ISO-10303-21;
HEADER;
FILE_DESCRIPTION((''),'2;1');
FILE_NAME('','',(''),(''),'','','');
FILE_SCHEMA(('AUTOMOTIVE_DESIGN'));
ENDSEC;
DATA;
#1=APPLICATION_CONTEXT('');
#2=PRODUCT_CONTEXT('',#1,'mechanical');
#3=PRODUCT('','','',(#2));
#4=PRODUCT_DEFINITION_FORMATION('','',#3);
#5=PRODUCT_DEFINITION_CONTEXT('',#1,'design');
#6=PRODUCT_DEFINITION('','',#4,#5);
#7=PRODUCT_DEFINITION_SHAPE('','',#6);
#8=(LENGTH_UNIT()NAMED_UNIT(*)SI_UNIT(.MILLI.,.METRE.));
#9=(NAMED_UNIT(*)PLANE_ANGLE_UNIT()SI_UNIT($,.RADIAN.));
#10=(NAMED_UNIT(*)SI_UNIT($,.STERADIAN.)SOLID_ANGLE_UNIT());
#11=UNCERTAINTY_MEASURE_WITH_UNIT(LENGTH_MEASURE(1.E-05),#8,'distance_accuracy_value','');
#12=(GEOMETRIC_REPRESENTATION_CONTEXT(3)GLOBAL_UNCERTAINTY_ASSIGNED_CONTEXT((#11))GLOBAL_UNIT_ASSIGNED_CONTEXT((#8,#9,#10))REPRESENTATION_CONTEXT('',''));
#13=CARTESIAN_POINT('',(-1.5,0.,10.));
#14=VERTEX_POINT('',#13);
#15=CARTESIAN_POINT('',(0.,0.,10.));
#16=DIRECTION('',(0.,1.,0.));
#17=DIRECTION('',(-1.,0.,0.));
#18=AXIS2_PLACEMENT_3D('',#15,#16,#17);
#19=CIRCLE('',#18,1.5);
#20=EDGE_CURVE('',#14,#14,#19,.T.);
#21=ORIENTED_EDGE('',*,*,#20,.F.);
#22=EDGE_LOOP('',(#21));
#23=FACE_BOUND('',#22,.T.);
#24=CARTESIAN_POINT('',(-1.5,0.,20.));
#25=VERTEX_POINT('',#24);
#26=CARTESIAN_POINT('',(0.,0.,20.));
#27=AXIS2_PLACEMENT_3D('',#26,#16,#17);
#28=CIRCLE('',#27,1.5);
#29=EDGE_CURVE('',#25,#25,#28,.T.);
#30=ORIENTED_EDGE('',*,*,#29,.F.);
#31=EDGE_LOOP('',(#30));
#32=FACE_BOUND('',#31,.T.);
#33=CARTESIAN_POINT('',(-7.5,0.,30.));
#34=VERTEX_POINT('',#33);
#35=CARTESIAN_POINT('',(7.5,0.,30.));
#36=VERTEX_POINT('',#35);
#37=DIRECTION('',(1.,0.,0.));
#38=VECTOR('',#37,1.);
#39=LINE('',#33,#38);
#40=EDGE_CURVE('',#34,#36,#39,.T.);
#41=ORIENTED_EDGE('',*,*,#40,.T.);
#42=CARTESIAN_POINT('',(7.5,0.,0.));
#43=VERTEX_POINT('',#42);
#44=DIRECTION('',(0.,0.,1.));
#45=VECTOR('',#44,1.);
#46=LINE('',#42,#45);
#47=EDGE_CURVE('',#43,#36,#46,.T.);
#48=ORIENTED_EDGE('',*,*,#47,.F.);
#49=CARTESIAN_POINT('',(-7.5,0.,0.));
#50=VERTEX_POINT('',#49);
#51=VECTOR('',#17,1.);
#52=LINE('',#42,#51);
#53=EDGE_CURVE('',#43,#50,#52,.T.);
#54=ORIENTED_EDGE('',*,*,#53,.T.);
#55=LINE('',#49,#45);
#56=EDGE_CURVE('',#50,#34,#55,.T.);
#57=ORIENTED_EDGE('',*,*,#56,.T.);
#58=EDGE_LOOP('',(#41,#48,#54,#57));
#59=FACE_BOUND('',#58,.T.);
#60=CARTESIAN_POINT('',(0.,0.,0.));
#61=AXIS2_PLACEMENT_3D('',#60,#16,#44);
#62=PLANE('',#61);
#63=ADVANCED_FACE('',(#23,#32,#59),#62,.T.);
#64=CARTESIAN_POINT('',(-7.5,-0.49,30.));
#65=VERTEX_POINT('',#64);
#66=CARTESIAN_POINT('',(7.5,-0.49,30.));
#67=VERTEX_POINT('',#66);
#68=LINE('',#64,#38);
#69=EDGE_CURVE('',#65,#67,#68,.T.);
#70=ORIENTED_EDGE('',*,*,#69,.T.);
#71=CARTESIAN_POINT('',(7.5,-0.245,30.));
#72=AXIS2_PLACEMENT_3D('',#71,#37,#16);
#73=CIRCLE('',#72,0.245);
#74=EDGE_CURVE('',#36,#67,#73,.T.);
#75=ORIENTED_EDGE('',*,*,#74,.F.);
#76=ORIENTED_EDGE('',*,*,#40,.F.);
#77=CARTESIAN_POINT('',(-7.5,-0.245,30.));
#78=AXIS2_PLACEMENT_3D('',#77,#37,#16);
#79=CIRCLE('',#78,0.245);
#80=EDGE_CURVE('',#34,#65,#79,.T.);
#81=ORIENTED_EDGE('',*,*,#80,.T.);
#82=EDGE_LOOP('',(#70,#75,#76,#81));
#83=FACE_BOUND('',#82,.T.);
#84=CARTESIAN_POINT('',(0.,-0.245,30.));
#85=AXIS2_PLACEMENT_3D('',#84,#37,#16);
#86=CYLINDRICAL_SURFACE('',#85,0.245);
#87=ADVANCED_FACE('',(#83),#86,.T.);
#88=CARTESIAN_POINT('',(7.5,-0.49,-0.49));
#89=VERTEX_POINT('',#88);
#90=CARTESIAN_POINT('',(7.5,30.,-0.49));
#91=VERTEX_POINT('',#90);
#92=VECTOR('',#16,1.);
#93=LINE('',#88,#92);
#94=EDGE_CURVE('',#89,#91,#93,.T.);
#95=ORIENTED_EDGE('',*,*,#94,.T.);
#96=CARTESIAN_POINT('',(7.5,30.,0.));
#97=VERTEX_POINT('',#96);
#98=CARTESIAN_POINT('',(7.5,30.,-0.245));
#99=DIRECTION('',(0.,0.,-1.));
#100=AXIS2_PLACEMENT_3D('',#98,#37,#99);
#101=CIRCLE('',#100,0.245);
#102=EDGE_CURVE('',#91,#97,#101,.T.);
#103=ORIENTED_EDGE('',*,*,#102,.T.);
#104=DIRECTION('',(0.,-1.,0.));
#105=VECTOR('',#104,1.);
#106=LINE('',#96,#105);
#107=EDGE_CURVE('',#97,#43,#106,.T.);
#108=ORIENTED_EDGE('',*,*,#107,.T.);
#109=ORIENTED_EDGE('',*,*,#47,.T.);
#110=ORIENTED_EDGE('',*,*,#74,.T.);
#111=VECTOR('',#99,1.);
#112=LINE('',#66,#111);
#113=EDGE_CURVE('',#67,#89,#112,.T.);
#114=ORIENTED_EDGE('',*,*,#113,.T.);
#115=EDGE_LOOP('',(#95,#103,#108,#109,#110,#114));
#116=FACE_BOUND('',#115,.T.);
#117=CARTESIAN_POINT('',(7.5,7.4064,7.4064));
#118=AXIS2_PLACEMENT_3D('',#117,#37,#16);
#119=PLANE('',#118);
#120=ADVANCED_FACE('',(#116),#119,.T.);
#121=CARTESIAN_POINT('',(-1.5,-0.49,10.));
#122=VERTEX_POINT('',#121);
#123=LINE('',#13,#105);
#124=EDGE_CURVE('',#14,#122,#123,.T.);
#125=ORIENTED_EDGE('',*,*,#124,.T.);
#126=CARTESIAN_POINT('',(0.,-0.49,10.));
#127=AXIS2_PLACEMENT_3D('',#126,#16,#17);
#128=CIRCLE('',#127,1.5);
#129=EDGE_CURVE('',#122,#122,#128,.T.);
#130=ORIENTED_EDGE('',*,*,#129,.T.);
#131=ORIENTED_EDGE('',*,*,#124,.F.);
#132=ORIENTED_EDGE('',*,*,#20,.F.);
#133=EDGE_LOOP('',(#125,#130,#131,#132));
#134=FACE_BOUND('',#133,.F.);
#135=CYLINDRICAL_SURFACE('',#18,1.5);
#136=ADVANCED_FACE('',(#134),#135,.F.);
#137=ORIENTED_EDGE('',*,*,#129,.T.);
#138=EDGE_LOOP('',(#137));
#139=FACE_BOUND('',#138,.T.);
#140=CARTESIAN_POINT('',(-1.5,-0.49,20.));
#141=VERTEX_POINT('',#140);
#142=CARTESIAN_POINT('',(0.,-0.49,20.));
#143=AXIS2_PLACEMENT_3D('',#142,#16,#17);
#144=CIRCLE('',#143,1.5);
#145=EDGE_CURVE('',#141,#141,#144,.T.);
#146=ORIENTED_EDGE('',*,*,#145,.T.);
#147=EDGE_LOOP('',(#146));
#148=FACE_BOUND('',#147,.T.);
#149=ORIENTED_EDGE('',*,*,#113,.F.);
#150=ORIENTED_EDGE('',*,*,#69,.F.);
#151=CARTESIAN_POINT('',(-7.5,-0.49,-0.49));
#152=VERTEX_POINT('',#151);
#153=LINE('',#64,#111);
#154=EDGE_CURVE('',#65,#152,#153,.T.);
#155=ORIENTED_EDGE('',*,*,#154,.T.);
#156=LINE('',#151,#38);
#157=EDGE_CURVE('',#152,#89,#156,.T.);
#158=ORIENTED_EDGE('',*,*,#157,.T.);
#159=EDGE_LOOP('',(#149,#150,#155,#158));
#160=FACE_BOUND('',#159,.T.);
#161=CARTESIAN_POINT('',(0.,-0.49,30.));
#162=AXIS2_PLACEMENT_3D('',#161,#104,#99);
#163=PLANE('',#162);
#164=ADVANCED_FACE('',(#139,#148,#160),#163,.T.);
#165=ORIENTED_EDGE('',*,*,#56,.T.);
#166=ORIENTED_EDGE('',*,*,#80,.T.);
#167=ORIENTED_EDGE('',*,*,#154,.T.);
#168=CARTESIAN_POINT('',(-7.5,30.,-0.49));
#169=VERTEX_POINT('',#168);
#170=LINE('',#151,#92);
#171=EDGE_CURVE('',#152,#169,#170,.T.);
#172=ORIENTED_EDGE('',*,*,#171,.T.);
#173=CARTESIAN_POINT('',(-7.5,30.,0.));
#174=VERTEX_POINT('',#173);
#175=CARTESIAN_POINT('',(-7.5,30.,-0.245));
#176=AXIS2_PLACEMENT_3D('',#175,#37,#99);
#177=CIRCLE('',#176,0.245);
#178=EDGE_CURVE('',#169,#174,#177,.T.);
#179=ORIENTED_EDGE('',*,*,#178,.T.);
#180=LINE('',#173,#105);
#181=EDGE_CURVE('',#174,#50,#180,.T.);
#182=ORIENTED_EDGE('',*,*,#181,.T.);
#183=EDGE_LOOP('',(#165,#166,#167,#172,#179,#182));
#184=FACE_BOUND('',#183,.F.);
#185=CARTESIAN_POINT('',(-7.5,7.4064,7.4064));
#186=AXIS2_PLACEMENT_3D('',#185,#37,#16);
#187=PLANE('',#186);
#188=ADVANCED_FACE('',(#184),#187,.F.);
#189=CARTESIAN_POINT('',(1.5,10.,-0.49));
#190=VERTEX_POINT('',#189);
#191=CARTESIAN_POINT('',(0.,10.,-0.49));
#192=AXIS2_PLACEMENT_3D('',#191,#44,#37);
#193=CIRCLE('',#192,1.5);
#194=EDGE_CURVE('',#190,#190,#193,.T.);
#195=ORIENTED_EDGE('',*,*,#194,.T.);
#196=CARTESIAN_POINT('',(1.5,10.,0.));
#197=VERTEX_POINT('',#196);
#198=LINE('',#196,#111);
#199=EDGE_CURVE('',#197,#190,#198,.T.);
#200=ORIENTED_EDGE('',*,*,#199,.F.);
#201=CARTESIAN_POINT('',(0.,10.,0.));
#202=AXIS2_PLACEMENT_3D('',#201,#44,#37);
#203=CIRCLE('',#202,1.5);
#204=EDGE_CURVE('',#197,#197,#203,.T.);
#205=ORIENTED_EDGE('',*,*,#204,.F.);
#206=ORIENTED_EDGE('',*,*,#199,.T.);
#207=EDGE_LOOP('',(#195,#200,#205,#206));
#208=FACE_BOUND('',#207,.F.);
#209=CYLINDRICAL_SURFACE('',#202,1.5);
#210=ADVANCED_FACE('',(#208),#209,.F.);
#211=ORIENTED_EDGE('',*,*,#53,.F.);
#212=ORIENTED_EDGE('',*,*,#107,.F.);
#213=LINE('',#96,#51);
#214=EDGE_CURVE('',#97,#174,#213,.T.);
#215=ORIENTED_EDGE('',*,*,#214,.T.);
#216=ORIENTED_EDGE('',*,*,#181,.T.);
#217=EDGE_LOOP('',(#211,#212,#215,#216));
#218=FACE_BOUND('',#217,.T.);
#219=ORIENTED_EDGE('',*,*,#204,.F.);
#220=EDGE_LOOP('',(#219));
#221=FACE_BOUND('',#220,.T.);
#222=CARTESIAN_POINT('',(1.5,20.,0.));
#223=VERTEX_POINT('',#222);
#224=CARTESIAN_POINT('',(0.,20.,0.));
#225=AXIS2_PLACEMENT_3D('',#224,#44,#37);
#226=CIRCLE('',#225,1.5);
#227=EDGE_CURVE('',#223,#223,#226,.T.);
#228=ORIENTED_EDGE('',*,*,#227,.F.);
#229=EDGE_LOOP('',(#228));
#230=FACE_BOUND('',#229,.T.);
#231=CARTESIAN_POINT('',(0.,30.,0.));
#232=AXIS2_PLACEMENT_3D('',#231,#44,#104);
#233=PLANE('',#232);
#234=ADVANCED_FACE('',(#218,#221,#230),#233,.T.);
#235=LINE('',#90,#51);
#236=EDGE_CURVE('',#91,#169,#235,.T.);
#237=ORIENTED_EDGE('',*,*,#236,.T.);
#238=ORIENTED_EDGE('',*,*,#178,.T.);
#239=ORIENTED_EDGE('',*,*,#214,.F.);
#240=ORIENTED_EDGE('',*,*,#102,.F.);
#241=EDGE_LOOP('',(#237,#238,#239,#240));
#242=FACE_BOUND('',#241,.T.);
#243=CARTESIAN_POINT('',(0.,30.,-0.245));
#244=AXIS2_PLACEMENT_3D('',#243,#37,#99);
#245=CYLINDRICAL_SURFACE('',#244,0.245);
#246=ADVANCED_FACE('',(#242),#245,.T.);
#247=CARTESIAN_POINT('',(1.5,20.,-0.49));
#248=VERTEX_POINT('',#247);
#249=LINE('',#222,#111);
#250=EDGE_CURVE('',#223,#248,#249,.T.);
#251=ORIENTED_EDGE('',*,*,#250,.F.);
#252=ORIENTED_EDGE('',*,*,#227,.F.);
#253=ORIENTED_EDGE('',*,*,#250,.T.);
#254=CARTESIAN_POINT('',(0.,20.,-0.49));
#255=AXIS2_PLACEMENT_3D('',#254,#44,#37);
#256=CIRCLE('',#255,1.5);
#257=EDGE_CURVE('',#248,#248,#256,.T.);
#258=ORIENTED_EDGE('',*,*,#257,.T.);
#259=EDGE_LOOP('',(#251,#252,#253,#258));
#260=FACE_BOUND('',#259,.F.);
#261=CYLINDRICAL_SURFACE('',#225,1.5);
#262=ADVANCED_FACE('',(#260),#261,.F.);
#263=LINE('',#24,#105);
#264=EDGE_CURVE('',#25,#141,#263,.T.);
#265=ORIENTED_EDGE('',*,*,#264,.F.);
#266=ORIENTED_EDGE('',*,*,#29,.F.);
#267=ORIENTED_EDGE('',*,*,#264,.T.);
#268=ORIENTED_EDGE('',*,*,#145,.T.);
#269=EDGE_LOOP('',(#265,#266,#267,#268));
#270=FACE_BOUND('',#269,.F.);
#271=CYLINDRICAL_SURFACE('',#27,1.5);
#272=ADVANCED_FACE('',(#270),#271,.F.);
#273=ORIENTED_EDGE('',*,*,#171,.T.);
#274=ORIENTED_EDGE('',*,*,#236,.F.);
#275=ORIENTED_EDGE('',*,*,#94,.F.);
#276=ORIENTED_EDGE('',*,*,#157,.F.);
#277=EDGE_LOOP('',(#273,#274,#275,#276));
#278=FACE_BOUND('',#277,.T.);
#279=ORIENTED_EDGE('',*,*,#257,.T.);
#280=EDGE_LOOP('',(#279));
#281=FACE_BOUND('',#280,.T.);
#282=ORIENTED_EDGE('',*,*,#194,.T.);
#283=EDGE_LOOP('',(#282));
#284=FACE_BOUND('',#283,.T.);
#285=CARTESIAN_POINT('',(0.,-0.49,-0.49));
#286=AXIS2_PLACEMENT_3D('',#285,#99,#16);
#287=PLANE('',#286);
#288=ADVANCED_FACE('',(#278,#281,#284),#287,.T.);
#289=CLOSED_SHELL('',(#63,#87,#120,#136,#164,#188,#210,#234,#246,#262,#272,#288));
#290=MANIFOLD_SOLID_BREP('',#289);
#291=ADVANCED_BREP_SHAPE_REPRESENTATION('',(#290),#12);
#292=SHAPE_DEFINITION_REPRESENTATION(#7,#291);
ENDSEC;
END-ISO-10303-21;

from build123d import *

# Parameters (mm, degrees)
F1_DEPTH = 7.5
F2_R     = 1.5
F3_DEPTH = 0.4910000058
F4_R     = 1.5
F5_DEPTH = 0.4910000058


with BuildPart() as f1:
    # F0 (on Right) → F1 (new body, symmetric)
    with BuildSketch(Plane.YZ):
        with BuildLine():
            Line((0, 0), (0, 30))
            ThreePointArc((0, 30), (-0.2450000029, 30.2450000029), (-0.4900000058, 30))
            Line((-0.4900000058, 30), (-0.4900000058, -0.4900000058))
            Line((-0.4900000058, -0.4900000058), (30, -0.4900000058))
            ThreePointArc((30, -0.4900000058), (30.2450000029, -0.2450000029), (30, 0))
            Line((30, 0), (0, 0))
        make_face()
    extrude(amount=F1_DEPTH, both=True)

    # F2 (on face) → F3 (cut, through all)
    with BuildSketch(Plane(origin=(0, 0, 0), x_dir=(-1, 0, 0), z_dir=(0, 1, 0))):
        with Locations((0, 20)):
            Circle(F2_R)
        with Locations((0, 10)):
            Circle(F2_R)
    extrude(amount=-F3_DEPTH, mode=Mode.SUBTRACT)

    # F4 (on face) → F5 (cut, through all)
    with BuildSketch(Plane.XY):
        with Locations((0, 20)):
            Circle(F4_R)
        with Locations((0, 10)):
            Circle(F4_R)
    extrude(amount=-F5_DEPTH, mode=Mode.SUBTRACT)


solid = f1.part
